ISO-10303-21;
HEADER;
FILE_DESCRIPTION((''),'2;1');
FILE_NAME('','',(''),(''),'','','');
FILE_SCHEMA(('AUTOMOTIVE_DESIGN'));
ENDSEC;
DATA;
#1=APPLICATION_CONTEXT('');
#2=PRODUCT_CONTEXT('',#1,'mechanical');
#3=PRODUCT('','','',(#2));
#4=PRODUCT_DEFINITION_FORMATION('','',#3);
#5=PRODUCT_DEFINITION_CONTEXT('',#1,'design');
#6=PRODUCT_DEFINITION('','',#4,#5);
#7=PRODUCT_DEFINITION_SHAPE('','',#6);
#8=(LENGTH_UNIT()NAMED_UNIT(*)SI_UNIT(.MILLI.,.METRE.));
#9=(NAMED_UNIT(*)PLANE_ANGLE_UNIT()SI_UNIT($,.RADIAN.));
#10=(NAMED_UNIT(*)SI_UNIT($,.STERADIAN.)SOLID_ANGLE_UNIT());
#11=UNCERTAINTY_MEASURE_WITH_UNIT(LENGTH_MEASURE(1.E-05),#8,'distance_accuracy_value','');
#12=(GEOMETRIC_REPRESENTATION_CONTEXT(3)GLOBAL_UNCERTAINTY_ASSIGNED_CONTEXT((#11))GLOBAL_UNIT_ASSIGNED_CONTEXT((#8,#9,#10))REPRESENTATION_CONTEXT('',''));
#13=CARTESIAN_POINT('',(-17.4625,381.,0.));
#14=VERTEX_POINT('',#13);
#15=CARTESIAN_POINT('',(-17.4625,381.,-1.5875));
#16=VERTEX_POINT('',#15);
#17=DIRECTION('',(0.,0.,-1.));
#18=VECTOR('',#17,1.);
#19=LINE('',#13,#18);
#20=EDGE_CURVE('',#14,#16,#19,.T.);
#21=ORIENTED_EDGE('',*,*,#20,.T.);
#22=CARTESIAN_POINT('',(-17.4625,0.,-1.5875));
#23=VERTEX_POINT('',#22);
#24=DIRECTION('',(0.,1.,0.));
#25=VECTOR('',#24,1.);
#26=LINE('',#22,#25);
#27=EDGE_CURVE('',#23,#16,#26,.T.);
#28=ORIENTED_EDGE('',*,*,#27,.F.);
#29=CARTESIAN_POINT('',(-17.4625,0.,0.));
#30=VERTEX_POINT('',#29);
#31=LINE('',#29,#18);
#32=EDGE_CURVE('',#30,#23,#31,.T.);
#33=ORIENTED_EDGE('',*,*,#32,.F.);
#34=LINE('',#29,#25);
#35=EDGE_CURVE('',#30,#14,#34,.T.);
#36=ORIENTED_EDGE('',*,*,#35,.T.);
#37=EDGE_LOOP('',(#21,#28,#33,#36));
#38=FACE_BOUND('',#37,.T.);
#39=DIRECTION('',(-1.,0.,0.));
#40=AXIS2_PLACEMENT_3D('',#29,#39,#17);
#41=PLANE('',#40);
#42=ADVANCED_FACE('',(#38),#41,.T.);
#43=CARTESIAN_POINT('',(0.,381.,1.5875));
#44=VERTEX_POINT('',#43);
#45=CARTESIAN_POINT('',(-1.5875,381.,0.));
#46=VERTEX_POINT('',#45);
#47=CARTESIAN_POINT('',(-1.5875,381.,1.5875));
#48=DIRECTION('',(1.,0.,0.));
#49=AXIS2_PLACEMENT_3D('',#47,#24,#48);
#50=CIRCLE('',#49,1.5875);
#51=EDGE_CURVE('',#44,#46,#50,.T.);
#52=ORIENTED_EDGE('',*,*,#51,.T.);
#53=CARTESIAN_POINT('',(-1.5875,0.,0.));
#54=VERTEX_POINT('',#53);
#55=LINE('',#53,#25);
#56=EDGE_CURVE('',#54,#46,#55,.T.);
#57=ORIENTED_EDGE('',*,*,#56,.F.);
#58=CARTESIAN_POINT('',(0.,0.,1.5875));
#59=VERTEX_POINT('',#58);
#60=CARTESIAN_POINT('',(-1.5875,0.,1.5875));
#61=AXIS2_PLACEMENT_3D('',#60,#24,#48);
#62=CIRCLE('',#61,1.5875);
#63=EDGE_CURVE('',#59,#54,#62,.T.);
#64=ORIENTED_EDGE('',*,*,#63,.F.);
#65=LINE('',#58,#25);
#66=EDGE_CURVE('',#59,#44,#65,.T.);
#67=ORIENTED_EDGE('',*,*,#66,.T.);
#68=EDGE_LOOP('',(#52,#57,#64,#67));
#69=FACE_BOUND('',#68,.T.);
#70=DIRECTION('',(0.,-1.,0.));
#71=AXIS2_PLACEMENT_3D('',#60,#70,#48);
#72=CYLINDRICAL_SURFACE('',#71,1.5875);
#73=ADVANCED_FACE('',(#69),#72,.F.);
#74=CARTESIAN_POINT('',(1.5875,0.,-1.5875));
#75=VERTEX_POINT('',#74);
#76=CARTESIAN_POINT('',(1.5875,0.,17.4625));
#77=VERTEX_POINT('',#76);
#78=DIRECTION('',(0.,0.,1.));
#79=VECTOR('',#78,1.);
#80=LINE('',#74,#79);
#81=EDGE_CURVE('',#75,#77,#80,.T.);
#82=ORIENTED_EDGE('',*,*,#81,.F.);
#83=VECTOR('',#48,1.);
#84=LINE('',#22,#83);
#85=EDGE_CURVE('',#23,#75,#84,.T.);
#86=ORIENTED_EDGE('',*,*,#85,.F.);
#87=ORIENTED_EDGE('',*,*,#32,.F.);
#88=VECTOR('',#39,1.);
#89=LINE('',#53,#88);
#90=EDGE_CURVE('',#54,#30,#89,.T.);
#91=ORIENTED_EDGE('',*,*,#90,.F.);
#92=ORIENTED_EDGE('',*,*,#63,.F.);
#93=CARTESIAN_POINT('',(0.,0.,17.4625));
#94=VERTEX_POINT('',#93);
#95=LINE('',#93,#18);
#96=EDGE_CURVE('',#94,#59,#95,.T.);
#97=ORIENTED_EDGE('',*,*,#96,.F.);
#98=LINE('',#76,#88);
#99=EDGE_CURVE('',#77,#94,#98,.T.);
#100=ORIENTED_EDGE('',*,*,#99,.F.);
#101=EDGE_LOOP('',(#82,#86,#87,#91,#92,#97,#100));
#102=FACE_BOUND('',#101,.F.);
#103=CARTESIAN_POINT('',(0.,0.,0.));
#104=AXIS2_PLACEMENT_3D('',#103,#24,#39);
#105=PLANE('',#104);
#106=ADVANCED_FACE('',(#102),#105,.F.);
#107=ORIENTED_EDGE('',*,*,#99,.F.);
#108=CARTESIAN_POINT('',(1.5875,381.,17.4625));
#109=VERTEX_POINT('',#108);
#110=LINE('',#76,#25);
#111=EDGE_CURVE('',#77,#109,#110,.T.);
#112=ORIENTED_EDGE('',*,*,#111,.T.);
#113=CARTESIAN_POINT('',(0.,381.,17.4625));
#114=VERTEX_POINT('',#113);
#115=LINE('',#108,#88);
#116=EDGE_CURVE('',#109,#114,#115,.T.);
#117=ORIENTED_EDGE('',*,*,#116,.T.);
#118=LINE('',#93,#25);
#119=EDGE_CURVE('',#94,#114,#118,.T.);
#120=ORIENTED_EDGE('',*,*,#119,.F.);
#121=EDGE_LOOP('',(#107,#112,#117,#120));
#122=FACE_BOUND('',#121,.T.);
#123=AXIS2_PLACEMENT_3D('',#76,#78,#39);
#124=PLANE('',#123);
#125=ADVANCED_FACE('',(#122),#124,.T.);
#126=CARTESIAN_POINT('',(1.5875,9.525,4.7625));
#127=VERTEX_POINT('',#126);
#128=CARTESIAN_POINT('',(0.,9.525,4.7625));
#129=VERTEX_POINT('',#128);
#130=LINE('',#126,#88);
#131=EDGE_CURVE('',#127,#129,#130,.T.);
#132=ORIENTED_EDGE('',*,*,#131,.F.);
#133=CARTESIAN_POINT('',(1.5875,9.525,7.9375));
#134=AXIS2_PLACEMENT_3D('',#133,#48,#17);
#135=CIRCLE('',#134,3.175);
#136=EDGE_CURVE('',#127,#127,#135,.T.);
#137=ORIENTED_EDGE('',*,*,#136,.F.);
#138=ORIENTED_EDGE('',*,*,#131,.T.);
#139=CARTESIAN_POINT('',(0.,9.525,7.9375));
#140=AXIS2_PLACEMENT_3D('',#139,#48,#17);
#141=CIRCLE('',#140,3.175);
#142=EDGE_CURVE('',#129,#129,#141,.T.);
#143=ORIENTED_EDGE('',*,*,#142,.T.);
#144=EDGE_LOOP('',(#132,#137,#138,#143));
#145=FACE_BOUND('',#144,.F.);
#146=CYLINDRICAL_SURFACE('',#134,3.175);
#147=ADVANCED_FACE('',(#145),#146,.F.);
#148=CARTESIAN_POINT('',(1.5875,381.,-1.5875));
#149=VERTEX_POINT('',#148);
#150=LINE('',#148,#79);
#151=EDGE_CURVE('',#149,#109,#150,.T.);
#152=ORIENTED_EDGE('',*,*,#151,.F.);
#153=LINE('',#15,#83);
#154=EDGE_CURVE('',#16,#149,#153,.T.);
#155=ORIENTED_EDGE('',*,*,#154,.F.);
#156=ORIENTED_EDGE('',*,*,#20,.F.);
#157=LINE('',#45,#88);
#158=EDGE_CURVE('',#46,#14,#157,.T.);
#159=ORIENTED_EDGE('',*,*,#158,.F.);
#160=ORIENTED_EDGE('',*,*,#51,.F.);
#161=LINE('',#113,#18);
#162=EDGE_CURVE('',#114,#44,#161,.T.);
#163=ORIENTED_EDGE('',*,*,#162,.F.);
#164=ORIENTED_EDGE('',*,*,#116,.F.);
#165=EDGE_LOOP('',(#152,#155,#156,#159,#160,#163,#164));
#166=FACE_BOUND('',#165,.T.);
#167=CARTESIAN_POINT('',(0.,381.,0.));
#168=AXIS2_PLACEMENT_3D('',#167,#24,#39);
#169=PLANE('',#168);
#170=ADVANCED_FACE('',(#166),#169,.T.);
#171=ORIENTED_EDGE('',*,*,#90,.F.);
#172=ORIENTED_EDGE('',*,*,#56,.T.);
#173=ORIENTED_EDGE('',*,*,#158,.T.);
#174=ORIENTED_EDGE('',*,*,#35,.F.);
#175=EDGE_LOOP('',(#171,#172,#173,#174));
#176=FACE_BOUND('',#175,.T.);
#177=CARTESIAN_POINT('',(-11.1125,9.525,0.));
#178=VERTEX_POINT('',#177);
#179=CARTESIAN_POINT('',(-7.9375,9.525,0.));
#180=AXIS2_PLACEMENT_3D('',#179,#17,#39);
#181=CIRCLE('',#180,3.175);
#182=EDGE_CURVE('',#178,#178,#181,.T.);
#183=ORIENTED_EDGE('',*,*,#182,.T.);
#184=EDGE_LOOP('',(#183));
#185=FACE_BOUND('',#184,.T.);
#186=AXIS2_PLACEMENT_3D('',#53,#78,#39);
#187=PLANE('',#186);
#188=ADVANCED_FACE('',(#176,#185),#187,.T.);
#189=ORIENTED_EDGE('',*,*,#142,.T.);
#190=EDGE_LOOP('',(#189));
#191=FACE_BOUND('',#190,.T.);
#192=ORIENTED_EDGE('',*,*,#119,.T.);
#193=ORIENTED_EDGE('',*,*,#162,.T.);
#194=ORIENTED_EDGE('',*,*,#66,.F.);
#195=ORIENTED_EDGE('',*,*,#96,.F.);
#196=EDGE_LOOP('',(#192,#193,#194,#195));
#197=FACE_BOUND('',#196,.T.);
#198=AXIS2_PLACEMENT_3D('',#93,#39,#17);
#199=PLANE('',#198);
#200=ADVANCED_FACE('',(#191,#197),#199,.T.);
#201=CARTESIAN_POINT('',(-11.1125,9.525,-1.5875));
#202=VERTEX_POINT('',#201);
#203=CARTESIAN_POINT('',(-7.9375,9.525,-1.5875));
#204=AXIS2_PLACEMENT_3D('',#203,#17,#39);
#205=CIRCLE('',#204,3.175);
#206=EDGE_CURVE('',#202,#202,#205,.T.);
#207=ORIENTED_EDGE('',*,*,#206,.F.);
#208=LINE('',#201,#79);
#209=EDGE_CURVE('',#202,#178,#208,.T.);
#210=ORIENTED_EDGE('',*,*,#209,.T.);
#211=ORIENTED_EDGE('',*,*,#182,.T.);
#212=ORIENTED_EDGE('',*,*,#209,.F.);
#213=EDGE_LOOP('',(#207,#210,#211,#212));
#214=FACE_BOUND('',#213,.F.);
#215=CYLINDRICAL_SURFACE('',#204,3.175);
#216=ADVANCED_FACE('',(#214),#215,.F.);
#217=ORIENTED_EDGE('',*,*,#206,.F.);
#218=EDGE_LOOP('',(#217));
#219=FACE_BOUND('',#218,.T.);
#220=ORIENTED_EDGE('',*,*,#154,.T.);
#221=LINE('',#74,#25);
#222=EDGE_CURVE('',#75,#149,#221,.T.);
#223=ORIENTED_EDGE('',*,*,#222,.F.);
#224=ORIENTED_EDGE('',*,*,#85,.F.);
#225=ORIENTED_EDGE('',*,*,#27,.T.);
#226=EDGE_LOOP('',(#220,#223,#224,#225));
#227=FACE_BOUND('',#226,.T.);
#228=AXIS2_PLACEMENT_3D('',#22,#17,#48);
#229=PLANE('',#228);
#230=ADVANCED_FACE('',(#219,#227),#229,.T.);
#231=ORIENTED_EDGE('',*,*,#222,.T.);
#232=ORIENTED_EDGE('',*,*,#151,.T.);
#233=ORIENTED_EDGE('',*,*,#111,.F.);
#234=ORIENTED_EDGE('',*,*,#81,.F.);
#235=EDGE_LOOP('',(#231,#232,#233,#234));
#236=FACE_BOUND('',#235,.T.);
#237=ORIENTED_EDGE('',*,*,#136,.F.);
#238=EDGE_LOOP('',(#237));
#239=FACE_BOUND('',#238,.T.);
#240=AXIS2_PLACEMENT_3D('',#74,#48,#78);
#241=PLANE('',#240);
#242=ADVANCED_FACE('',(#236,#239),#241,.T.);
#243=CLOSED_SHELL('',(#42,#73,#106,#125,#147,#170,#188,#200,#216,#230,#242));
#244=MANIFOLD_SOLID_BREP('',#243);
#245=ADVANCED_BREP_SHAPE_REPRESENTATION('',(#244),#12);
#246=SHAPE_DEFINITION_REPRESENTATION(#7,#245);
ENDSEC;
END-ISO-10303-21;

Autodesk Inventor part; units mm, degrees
ref_plane "YZ Plane" through (0, 0, 0) normal (1, 0, 0) x (0, 1, 0)
ref_plane "XZ Plane" through (0, 0, 0) normal (0, 1, 0) x (-1, 0, 0)
ref_plane "XY Plane" through (0, 0, 0) normal (0, 0, 1) x (1, 0, 0)
sketch "Sketch1" plane through (0, 0, 0) normal (0, 1, 0) x (-1, 0, 0)
  line L0 (0, 17.4625) -> (0, 1.5875)
  line L1 (1.5875, 0) -> (17.4625, 0)
  line L2 (17.4625, 0) -> (17.4625, -1.5875)
  line L3 (17.4625, -1.5875) -> (-1.5875, -1.5875)
  line L4 (-1.5875, -1.5875) -> (-1.5875, 17.4625)
  line L5 (-1.5875, 17.4625) -> (0, 17.4625)
  arc A0 (0, 1.5875) -> (1.5875, 0) centre (1.5875, 1.5875) ccw
  point P0 (0, 0)
  dimension "d0" = 1.5875
  dimension "d1" = 19.05
  dimension "d2" = 1.5875
extrude "Extrusion1" add sketch "Sketch1" along normal blind 381
sketch "Sketch2" plane through (1.5875, 0, -1.5875) normal (0, 0, -1) x (-1, 0, 0)
  line L0 (19.05, 0) -> (0, 0) construction
  line L1 (9.525, 0) -> (9.525, 443.5725) construction
  circle A0 centre (9.525, 9.525) radius 3.175
  point P0 (1.5875, 0)
  dimension "d5" = 6.35
  dimension "d6" = 9.525
extrude "Extrusion2" cut sketch "Sketch2" against normal through all
sketch "Sketch3" plane through (1.5875, 0, 17.4625) normal (1, 0, 0) x (0, 0, -1)
  line L0 (19.05, 0) -> (0, 0) construction
  line L1 (9.525, 0) -> (9.525, 23.4407) construction
  circle A0 centre (9.525, 9.525) radius 3.175
  point P0 (17.4625, 0)
  dimension "d9" = 6.35
  dimension "d10" = 9.525
extrude "Extrusion3" cut sketch "Sketch3" against normal through all
properties part number "Short Wall support" material "Aluminum 6061"
